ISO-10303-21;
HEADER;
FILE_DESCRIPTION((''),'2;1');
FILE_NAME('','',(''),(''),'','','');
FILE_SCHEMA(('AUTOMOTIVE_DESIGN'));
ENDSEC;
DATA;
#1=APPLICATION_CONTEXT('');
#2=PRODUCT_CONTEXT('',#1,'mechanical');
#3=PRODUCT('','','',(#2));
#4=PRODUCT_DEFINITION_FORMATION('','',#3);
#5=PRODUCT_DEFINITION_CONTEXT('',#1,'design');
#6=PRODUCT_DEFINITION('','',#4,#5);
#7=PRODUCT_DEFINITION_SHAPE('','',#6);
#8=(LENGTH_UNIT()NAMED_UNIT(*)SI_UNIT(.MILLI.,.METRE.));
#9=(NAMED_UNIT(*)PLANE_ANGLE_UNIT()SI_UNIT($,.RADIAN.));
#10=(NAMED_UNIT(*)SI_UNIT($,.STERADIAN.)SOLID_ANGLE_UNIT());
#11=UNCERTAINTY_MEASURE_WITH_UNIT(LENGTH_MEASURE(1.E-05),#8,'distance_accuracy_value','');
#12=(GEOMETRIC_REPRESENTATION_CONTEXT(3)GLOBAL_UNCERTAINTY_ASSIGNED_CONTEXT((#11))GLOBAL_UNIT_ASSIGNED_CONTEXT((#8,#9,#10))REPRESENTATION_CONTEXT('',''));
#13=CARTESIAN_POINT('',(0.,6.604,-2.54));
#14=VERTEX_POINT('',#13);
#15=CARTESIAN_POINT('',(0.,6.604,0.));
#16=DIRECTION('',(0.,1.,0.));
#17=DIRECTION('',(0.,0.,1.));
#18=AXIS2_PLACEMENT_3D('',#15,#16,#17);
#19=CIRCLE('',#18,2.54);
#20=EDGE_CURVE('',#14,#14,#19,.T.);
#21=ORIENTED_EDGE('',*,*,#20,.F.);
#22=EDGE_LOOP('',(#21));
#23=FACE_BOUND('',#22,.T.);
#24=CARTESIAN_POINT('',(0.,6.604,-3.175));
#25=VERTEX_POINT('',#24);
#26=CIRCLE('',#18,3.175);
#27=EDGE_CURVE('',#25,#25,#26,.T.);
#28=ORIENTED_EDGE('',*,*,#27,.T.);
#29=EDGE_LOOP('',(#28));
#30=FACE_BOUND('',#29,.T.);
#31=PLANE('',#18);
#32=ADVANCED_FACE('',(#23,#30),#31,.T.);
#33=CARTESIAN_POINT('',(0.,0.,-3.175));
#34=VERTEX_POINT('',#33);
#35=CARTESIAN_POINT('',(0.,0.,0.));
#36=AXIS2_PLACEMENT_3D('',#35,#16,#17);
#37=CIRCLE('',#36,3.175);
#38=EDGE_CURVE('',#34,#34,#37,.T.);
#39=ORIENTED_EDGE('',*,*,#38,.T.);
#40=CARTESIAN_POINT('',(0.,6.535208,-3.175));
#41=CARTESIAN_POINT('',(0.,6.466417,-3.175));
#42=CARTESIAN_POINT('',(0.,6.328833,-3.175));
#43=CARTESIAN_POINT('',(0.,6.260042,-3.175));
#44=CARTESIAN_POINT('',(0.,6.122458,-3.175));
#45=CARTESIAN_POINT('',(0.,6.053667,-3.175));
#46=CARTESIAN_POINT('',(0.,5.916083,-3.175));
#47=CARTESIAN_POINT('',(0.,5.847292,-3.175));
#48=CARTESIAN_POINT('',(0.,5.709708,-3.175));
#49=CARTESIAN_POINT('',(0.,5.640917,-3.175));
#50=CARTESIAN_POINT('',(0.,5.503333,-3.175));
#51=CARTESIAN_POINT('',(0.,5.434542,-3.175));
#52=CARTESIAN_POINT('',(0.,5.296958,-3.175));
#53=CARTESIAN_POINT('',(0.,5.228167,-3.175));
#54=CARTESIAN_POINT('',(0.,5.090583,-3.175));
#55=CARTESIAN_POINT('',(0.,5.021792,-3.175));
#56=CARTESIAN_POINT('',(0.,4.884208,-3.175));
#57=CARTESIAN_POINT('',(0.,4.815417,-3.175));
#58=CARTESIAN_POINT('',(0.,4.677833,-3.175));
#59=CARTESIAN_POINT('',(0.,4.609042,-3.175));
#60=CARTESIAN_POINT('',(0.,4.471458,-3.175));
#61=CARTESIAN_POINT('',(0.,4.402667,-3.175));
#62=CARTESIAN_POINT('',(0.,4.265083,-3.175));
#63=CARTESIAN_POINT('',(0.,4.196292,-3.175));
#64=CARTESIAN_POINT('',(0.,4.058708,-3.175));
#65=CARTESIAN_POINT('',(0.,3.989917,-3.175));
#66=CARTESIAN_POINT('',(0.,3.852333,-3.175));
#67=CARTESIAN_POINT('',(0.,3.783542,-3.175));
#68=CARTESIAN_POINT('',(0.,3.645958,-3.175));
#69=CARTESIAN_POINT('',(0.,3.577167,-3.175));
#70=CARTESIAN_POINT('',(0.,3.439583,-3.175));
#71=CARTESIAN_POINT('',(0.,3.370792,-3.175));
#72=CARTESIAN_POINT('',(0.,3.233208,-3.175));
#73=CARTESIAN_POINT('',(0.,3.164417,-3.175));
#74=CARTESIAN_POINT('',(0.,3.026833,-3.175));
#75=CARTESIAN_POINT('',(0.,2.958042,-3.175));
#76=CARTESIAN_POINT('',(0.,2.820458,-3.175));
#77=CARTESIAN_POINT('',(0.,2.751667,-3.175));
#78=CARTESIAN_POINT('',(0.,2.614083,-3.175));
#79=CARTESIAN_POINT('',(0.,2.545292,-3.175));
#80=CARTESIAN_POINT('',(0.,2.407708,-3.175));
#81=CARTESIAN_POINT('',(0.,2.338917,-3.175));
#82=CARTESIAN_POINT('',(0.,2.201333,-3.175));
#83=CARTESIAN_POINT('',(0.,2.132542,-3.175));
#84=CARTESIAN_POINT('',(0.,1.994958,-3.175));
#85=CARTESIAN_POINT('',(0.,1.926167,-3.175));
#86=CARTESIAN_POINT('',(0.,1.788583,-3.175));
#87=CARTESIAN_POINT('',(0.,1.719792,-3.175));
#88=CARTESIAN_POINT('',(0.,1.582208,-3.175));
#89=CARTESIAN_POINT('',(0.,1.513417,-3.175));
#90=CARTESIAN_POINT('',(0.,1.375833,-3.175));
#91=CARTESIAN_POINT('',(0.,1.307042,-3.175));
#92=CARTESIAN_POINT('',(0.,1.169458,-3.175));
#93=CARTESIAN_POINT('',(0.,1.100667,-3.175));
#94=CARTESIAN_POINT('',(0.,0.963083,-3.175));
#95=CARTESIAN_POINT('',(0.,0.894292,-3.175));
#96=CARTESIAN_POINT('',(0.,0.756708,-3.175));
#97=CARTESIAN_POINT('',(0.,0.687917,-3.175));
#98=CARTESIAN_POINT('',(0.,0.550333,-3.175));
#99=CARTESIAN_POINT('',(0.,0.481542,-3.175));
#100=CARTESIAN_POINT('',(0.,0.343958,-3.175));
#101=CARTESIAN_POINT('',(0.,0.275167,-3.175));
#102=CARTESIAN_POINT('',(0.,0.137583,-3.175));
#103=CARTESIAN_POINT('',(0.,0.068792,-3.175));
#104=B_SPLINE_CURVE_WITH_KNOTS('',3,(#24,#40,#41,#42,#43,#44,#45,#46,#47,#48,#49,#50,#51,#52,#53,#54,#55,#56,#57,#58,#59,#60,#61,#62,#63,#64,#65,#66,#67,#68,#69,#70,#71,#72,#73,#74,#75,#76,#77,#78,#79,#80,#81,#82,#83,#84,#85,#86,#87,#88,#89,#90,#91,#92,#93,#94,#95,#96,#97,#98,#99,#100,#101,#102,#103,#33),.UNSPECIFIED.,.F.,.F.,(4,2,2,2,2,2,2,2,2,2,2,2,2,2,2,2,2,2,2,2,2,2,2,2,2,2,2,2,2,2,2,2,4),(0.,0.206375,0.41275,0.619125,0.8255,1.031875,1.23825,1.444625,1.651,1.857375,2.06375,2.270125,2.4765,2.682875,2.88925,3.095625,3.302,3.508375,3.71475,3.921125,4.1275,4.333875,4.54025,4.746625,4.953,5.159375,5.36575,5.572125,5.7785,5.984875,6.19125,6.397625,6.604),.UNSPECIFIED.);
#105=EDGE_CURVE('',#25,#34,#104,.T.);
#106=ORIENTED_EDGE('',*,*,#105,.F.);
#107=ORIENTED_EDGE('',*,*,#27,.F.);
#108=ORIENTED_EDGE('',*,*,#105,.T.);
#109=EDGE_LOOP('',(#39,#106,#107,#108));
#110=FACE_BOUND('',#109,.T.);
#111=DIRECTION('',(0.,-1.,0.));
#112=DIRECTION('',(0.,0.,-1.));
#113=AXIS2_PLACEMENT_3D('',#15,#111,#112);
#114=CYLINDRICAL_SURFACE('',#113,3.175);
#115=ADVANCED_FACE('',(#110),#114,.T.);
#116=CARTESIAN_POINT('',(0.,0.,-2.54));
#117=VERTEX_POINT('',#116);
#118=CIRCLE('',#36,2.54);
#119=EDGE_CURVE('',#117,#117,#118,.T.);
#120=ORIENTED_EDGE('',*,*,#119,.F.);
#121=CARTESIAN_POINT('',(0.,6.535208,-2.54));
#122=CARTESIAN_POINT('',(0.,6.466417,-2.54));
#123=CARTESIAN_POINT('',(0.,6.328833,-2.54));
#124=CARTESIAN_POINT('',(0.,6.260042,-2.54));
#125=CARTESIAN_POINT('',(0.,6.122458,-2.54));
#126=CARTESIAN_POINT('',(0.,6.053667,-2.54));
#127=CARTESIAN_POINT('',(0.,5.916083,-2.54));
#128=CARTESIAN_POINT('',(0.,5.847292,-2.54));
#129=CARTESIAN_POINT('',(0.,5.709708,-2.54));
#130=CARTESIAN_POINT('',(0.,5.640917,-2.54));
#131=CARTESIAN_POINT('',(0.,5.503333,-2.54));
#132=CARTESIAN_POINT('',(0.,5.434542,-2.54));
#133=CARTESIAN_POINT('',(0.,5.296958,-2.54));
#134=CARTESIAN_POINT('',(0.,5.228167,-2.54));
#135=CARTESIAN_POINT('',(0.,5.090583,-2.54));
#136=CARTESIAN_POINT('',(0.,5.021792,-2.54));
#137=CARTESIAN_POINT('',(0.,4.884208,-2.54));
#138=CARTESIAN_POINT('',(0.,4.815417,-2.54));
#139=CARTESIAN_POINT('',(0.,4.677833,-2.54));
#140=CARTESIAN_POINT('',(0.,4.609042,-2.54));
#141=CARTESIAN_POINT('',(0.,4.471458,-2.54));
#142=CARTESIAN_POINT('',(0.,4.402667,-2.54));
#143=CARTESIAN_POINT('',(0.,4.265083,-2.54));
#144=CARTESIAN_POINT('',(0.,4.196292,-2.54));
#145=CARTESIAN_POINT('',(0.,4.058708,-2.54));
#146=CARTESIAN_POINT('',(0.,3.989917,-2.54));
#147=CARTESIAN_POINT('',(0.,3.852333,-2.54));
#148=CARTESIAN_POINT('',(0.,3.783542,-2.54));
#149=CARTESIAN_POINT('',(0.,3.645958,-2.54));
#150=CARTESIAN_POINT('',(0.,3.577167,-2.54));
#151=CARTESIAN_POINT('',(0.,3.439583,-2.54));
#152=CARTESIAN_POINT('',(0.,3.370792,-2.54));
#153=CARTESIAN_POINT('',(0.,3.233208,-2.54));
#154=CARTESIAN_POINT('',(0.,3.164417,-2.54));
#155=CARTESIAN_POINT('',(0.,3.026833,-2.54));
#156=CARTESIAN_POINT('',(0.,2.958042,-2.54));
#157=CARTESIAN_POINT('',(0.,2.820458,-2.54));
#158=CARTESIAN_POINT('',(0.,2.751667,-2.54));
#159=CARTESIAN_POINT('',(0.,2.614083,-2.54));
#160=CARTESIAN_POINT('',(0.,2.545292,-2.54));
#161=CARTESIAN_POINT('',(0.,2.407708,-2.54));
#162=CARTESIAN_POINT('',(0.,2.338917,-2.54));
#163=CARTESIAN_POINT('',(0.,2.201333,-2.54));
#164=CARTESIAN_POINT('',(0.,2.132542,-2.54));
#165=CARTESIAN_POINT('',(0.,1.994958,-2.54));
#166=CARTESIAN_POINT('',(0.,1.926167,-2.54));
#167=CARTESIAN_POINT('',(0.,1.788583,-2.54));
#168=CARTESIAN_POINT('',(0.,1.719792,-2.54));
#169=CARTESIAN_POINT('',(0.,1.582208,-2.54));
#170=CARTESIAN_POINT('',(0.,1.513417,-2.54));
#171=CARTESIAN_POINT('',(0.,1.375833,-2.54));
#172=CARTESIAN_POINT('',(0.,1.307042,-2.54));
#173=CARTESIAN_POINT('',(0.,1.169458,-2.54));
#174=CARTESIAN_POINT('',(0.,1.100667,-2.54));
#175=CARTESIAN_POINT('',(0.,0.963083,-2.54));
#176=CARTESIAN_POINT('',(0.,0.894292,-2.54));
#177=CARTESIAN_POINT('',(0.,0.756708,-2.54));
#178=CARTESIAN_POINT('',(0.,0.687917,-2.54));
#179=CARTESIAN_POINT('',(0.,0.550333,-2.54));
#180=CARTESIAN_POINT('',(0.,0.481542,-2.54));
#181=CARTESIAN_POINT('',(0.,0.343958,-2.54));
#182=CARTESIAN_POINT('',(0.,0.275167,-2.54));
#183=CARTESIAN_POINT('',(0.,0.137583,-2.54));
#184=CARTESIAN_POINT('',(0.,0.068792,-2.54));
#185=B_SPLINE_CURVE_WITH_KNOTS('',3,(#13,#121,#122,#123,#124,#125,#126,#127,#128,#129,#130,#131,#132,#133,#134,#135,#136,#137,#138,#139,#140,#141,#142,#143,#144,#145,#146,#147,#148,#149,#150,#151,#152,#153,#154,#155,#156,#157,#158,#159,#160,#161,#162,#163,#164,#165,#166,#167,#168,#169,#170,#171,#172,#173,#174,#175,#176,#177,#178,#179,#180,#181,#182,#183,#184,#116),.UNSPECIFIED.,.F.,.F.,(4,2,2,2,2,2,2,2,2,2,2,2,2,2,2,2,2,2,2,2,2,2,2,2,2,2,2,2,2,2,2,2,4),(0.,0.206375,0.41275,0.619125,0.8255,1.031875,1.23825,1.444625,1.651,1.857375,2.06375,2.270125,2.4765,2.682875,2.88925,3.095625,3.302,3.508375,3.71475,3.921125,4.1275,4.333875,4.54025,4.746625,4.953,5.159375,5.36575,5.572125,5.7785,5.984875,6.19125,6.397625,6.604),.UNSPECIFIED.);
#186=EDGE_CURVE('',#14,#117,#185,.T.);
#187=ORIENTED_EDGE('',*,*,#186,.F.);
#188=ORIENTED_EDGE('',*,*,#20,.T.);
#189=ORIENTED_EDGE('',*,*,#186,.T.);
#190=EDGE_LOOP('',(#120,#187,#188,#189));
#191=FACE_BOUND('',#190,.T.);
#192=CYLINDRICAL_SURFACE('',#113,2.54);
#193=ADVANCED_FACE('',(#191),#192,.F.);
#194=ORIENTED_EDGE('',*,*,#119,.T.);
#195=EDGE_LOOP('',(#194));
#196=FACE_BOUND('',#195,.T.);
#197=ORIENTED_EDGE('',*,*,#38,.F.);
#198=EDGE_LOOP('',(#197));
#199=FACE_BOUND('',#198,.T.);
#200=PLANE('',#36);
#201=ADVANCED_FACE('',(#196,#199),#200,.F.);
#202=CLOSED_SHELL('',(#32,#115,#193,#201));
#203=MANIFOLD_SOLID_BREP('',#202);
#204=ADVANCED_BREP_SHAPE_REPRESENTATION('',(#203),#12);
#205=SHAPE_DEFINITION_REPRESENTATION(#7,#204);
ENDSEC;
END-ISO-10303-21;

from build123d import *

# Parameters (mm, degrees)
SKETCH1_R           = 3.175
SKETCH1_R_2         = 2.54
BOSS_EXTRUDE1_DEPTH = 6.604


with BuildPart() as part:
    # Sketch1 → Boss-Extrude1 (new body)
    with BuildSketch(Plane(origin=(0, 0, 0), x_dir=(1, 0, 0), z_dir=(0, 1, 0))):
        Circle(SKETCH1_R)
        Circle(SKETCH1_R_2, mode=Mode.SUBTRACT)
    extrude(amount=BOSS_EXTRUDE1_DEPTH)


solid = part.part
